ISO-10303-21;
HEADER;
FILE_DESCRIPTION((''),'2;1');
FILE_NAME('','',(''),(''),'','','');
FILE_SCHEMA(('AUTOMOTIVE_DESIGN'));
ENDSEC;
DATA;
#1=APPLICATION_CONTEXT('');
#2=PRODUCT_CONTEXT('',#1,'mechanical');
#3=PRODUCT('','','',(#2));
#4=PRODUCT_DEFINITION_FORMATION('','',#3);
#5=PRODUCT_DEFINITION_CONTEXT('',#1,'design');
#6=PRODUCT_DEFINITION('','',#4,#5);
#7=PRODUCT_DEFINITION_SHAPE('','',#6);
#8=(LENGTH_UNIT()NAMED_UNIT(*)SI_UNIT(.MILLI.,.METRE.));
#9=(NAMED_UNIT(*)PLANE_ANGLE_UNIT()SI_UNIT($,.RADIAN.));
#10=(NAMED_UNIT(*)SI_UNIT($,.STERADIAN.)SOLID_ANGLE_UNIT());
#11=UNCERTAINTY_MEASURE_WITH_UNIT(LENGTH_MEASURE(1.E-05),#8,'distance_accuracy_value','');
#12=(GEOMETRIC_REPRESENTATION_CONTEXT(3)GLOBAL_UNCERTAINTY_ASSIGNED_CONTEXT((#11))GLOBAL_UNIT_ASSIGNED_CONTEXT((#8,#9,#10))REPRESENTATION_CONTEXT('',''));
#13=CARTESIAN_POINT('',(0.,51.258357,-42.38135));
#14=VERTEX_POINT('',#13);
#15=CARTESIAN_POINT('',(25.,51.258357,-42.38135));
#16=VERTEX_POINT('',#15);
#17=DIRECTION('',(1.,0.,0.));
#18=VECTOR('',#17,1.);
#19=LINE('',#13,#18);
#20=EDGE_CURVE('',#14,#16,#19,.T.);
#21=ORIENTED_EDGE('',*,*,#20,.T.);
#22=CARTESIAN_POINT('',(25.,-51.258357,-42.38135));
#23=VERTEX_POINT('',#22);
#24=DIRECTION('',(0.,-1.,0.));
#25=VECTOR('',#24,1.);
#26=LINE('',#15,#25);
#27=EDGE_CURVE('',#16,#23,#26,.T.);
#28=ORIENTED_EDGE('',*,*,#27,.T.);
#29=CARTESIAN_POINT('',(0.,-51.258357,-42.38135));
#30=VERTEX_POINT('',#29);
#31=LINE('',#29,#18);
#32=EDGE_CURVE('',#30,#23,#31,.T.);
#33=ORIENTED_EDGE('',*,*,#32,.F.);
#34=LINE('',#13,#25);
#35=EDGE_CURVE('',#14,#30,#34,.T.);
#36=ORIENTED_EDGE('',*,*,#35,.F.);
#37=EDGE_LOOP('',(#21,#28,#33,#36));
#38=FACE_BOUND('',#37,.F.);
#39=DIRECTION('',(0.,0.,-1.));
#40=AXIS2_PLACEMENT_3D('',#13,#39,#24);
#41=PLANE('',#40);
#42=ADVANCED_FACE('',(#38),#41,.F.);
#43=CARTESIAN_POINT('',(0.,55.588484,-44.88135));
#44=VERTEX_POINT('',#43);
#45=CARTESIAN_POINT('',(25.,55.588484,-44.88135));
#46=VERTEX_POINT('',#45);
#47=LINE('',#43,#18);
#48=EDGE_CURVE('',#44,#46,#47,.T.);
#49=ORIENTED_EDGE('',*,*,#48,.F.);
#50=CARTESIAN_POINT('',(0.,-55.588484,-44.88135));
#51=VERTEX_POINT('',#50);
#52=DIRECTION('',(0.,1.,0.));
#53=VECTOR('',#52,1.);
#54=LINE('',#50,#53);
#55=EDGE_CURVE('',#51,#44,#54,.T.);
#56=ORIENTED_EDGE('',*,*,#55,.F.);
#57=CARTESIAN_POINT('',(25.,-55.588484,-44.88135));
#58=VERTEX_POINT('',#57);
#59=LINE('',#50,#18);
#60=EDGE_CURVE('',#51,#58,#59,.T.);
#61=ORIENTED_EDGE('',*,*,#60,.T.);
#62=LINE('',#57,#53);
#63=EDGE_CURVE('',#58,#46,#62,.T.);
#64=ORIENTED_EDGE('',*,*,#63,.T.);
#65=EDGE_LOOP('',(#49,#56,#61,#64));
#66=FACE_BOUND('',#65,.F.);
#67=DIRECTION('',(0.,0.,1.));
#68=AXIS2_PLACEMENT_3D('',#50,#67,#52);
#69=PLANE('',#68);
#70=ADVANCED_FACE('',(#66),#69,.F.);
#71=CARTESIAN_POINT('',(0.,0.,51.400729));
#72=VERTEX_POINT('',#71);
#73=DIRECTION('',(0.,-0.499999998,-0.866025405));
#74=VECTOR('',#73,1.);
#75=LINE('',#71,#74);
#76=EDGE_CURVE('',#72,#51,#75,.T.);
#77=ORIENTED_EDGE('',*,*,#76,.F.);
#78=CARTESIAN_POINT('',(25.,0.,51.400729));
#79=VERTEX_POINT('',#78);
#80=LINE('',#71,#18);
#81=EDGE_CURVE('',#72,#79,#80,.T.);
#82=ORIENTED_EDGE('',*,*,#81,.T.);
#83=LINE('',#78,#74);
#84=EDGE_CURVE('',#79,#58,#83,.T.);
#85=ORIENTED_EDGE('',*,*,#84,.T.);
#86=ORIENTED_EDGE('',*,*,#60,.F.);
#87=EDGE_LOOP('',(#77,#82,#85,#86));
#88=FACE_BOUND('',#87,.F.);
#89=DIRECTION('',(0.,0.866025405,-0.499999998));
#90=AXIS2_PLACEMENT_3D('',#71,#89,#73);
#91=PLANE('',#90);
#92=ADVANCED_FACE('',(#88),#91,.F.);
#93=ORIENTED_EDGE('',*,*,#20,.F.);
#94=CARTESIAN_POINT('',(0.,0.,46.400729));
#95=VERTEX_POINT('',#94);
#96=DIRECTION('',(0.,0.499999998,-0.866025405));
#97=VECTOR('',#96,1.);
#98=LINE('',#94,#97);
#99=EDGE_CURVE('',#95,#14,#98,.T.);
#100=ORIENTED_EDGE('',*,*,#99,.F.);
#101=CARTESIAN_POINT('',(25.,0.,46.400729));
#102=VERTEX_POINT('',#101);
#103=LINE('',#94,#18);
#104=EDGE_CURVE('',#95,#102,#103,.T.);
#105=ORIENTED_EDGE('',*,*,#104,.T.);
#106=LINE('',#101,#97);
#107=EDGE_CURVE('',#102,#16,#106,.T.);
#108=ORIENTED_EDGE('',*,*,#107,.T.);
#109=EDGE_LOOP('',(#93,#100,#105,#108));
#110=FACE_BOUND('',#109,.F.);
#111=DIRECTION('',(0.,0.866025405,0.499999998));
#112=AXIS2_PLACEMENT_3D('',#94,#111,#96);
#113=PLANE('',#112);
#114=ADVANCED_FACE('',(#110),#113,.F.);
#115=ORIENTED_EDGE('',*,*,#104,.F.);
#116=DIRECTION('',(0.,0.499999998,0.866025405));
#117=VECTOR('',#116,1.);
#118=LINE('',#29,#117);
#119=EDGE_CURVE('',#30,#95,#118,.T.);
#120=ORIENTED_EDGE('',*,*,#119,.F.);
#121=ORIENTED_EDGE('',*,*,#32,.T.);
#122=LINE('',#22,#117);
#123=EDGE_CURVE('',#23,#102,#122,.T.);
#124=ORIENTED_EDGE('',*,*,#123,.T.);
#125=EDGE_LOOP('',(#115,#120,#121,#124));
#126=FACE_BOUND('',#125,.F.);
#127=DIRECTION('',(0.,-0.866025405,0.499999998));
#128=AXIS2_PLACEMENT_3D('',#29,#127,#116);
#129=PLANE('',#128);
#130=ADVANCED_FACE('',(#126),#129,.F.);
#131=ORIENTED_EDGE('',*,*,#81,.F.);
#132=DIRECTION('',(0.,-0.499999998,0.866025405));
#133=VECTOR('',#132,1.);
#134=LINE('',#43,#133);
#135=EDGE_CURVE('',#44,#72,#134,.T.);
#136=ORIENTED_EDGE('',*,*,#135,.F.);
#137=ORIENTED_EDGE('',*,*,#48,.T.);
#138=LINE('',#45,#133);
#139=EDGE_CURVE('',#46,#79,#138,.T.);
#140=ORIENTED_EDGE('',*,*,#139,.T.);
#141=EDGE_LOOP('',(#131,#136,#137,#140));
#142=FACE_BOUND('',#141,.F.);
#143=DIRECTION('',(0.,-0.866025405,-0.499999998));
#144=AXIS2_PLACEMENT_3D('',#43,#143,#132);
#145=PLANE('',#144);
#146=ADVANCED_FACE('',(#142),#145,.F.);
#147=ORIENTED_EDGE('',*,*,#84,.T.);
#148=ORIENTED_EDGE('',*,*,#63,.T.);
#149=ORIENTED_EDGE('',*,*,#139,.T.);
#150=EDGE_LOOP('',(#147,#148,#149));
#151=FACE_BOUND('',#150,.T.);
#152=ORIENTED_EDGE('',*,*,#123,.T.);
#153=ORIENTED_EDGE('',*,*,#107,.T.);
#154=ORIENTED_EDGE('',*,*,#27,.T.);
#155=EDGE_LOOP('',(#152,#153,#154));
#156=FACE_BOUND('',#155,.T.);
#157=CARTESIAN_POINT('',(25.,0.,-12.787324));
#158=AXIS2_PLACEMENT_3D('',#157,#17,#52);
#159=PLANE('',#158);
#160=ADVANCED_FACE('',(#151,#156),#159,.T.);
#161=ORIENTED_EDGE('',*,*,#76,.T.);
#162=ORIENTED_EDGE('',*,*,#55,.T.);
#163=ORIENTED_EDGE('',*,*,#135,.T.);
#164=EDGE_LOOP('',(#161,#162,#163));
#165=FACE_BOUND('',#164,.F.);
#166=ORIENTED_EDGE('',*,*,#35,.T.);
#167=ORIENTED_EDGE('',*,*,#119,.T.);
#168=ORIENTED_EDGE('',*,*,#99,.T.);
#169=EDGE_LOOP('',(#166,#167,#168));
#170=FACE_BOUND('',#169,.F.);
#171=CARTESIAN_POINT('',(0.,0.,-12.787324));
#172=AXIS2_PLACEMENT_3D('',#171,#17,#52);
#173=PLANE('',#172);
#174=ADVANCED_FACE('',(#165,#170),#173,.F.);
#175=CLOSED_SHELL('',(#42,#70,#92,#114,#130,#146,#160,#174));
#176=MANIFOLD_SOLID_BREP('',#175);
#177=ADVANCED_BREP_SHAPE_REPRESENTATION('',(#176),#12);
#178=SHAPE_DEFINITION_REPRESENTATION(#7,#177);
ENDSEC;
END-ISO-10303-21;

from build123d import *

# Parameters (mm, degrees)
F2_DEPTH = 25


with BuildPart() as f2:
    # F1 (on face) → F2 (new body)
    with BuildSketch(Plane.YZ):
        Polygon((-55.588484, -44.88135), (55.588484, -44.88135), (0, 51.400729), align=None)
        Polygon((51.258357, -42.38135), (-51.258357, -42.38135), (0, 46.400729), align=None, mode=Mode.SUBTRACT)
    extrude(amount=F2_DEPTH)


solid = f2.part
